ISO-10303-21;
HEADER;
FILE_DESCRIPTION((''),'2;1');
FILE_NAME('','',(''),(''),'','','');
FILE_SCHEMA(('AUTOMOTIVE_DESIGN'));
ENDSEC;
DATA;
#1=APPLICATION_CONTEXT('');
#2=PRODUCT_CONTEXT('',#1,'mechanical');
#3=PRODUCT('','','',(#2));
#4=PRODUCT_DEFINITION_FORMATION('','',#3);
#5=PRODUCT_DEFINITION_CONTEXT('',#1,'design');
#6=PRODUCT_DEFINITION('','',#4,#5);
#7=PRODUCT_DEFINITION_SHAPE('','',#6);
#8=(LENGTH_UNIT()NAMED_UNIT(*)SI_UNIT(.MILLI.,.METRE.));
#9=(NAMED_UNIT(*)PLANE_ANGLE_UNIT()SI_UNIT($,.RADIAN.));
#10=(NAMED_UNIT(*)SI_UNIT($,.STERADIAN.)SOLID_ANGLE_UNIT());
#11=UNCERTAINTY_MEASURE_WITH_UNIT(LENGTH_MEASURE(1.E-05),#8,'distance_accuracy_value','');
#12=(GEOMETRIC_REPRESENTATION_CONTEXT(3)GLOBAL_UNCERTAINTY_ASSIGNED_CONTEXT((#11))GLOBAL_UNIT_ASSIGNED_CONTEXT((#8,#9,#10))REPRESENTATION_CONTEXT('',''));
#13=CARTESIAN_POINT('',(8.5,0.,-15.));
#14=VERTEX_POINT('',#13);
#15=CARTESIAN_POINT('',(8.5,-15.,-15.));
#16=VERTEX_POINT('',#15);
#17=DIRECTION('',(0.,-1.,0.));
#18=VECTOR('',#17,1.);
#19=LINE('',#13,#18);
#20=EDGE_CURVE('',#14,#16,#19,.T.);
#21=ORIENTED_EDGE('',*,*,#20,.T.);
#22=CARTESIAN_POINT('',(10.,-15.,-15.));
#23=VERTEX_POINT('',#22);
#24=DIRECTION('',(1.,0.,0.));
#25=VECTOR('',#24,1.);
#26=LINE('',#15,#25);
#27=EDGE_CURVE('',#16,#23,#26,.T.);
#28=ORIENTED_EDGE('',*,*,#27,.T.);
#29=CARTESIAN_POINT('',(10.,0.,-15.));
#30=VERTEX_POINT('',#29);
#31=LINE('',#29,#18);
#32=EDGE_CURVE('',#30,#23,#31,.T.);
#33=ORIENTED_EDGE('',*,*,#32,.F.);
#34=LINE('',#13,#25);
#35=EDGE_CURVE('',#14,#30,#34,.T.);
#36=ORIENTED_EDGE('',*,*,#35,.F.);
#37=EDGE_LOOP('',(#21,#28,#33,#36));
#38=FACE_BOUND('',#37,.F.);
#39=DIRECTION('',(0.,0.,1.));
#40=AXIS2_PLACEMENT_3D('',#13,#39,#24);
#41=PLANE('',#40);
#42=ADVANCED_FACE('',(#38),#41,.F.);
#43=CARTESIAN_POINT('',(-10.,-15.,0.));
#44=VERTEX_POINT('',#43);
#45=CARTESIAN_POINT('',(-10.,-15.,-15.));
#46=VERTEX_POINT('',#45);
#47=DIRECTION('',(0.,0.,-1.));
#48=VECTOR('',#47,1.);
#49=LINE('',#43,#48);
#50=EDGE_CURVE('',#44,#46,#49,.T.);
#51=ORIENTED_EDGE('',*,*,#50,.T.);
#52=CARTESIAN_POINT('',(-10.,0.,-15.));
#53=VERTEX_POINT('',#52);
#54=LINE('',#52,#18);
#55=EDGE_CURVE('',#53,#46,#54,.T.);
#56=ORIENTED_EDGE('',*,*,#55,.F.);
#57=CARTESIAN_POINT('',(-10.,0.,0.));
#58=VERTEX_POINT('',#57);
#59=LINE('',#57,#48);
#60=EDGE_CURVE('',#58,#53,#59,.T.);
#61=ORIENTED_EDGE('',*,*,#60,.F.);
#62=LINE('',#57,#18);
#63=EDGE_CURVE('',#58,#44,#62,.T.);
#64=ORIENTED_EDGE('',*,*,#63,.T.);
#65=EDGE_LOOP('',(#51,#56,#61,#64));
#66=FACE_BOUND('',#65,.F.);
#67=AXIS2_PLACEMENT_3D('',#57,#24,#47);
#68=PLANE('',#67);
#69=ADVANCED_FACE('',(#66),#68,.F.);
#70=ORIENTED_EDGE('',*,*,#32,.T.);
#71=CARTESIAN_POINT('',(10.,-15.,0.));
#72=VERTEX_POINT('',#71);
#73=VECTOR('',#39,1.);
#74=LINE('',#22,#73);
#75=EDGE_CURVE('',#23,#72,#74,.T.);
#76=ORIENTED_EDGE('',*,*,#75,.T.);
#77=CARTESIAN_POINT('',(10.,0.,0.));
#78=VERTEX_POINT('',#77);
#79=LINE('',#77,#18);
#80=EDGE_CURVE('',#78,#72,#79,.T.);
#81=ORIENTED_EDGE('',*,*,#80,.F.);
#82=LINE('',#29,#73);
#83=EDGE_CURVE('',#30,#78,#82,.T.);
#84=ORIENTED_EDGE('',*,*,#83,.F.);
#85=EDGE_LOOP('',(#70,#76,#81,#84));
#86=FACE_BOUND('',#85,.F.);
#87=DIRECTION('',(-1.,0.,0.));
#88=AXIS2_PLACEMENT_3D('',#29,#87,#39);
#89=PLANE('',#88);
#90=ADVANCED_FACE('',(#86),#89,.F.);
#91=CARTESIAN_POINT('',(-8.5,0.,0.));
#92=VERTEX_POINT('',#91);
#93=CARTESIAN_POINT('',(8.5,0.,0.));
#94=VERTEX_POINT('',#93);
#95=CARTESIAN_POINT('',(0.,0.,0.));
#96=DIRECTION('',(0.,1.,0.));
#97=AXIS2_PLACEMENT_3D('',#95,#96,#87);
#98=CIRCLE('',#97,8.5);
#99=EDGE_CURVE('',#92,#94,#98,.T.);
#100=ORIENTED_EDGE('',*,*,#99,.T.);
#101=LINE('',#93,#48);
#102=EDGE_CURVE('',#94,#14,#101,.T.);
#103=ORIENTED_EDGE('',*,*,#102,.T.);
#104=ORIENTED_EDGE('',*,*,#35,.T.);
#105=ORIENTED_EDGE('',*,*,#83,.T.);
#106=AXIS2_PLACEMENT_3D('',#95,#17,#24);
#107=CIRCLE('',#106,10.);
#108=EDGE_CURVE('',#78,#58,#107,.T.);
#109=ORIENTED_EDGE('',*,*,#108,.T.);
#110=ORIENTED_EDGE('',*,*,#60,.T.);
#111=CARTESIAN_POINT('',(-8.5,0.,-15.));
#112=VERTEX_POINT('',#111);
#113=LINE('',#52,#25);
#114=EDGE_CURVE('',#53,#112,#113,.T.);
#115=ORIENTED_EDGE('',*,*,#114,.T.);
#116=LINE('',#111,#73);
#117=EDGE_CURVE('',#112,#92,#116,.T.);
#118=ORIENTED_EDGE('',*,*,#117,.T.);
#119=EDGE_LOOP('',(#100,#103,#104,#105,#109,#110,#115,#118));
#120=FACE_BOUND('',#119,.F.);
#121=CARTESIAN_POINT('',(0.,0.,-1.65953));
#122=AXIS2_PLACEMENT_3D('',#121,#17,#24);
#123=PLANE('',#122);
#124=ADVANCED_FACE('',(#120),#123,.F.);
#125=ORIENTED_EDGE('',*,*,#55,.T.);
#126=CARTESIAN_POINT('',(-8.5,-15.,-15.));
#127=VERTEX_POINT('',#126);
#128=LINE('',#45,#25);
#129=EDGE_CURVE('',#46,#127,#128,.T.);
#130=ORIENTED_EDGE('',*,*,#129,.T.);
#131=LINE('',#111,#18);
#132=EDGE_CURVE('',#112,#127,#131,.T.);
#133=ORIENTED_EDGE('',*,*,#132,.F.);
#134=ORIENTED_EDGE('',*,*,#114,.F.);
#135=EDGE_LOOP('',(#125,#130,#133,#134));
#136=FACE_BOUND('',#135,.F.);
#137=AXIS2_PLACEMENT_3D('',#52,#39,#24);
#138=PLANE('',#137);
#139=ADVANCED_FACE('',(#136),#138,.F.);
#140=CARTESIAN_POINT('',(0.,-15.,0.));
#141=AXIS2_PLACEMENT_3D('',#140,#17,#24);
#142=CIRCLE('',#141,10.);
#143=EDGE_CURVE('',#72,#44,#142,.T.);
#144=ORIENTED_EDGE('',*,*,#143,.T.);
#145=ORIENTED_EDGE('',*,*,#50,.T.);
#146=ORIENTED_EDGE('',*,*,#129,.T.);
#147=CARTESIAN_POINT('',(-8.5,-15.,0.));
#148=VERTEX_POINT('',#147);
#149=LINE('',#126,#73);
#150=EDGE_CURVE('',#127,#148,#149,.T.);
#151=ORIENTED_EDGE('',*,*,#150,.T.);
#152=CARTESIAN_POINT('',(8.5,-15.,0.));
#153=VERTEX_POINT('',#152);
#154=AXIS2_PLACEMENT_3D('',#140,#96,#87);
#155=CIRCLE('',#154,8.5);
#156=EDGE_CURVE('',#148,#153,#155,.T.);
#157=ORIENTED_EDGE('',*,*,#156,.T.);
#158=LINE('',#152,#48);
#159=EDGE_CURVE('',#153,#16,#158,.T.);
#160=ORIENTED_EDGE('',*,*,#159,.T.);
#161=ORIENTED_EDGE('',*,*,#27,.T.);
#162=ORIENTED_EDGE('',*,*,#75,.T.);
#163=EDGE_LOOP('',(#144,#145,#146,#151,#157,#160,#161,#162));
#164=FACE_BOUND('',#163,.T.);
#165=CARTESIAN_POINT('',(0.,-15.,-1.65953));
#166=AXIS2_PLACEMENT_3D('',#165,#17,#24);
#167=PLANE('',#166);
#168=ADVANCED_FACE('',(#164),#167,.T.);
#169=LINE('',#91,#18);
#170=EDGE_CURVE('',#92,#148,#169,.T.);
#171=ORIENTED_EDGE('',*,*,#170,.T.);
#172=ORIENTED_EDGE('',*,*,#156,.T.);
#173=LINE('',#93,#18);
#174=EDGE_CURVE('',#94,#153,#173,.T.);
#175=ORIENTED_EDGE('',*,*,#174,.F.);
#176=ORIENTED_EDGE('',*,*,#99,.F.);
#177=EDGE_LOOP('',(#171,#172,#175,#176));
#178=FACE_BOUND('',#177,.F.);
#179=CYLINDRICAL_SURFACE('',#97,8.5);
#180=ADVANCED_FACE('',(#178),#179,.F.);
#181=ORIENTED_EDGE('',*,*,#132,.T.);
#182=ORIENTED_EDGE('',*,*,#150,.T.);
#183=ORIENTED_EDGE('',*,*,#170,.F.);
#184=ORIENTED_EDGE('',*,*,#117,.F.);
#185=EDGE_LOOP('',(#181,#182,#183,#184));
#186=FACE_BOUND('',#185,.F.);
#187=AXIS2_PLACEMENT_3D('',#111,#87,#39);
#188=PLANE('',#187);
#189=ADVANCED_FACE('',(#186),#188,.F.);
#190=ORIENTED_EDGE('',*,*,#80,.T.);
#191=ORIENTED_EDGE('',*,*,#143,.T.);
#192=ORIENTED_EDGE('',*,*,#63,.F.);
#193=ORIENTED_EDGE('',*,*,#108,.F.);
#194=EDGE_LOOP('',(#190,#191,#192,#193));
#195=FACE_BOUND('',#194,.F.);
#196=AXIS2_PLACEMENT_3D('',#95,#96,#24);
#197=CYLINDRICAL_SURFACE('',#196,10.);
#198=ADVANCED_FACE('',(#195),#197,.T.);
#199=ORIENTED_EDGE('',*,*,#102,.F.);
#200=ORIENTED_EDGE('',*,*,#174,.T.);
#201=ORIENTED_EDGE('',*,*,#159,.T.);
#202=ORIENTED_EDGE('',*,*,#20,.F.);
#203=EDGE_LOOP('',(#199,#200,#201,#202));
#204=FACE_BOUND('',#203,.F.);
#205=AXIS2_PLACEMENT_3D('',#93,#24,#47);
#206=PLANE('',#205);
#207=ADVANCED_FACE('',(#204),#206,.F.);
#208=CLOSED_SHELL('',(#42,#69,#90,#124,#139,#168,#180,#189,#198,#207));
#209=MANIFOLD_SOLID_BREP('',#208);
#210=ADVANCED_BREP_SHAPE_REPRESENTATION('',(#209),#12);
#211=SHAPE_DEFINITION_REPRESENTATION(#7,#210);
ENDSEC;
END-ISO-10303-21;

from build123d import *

# Parameters (mm, degrees)
F1_DEPTH = 15


with BuildPart() as f1:
    # F0 (on Front) → F1 (new body)
    with BuildSketch(Plane.XZ):
        with BuildLine():
            Line((10, -15), (10, 0))
            ThreePointArc((10, 0), (0, 10), (-10, 0))
            Line((-10, 0), (-10, -15))
            Line((-10, -15), (-8.5, -15))
            Line((-8.5, -15), (-8.5, 0))
            ThreePointArc((-8.5, 0), (0, 8.5), (8.5, 0))
            Line((8.5, 0), (8.5, -15))
            Line((8.5, -15), (10, -15))
        make_face()
    extrude(amount=F1_DEPTH)


solid = f1.part
